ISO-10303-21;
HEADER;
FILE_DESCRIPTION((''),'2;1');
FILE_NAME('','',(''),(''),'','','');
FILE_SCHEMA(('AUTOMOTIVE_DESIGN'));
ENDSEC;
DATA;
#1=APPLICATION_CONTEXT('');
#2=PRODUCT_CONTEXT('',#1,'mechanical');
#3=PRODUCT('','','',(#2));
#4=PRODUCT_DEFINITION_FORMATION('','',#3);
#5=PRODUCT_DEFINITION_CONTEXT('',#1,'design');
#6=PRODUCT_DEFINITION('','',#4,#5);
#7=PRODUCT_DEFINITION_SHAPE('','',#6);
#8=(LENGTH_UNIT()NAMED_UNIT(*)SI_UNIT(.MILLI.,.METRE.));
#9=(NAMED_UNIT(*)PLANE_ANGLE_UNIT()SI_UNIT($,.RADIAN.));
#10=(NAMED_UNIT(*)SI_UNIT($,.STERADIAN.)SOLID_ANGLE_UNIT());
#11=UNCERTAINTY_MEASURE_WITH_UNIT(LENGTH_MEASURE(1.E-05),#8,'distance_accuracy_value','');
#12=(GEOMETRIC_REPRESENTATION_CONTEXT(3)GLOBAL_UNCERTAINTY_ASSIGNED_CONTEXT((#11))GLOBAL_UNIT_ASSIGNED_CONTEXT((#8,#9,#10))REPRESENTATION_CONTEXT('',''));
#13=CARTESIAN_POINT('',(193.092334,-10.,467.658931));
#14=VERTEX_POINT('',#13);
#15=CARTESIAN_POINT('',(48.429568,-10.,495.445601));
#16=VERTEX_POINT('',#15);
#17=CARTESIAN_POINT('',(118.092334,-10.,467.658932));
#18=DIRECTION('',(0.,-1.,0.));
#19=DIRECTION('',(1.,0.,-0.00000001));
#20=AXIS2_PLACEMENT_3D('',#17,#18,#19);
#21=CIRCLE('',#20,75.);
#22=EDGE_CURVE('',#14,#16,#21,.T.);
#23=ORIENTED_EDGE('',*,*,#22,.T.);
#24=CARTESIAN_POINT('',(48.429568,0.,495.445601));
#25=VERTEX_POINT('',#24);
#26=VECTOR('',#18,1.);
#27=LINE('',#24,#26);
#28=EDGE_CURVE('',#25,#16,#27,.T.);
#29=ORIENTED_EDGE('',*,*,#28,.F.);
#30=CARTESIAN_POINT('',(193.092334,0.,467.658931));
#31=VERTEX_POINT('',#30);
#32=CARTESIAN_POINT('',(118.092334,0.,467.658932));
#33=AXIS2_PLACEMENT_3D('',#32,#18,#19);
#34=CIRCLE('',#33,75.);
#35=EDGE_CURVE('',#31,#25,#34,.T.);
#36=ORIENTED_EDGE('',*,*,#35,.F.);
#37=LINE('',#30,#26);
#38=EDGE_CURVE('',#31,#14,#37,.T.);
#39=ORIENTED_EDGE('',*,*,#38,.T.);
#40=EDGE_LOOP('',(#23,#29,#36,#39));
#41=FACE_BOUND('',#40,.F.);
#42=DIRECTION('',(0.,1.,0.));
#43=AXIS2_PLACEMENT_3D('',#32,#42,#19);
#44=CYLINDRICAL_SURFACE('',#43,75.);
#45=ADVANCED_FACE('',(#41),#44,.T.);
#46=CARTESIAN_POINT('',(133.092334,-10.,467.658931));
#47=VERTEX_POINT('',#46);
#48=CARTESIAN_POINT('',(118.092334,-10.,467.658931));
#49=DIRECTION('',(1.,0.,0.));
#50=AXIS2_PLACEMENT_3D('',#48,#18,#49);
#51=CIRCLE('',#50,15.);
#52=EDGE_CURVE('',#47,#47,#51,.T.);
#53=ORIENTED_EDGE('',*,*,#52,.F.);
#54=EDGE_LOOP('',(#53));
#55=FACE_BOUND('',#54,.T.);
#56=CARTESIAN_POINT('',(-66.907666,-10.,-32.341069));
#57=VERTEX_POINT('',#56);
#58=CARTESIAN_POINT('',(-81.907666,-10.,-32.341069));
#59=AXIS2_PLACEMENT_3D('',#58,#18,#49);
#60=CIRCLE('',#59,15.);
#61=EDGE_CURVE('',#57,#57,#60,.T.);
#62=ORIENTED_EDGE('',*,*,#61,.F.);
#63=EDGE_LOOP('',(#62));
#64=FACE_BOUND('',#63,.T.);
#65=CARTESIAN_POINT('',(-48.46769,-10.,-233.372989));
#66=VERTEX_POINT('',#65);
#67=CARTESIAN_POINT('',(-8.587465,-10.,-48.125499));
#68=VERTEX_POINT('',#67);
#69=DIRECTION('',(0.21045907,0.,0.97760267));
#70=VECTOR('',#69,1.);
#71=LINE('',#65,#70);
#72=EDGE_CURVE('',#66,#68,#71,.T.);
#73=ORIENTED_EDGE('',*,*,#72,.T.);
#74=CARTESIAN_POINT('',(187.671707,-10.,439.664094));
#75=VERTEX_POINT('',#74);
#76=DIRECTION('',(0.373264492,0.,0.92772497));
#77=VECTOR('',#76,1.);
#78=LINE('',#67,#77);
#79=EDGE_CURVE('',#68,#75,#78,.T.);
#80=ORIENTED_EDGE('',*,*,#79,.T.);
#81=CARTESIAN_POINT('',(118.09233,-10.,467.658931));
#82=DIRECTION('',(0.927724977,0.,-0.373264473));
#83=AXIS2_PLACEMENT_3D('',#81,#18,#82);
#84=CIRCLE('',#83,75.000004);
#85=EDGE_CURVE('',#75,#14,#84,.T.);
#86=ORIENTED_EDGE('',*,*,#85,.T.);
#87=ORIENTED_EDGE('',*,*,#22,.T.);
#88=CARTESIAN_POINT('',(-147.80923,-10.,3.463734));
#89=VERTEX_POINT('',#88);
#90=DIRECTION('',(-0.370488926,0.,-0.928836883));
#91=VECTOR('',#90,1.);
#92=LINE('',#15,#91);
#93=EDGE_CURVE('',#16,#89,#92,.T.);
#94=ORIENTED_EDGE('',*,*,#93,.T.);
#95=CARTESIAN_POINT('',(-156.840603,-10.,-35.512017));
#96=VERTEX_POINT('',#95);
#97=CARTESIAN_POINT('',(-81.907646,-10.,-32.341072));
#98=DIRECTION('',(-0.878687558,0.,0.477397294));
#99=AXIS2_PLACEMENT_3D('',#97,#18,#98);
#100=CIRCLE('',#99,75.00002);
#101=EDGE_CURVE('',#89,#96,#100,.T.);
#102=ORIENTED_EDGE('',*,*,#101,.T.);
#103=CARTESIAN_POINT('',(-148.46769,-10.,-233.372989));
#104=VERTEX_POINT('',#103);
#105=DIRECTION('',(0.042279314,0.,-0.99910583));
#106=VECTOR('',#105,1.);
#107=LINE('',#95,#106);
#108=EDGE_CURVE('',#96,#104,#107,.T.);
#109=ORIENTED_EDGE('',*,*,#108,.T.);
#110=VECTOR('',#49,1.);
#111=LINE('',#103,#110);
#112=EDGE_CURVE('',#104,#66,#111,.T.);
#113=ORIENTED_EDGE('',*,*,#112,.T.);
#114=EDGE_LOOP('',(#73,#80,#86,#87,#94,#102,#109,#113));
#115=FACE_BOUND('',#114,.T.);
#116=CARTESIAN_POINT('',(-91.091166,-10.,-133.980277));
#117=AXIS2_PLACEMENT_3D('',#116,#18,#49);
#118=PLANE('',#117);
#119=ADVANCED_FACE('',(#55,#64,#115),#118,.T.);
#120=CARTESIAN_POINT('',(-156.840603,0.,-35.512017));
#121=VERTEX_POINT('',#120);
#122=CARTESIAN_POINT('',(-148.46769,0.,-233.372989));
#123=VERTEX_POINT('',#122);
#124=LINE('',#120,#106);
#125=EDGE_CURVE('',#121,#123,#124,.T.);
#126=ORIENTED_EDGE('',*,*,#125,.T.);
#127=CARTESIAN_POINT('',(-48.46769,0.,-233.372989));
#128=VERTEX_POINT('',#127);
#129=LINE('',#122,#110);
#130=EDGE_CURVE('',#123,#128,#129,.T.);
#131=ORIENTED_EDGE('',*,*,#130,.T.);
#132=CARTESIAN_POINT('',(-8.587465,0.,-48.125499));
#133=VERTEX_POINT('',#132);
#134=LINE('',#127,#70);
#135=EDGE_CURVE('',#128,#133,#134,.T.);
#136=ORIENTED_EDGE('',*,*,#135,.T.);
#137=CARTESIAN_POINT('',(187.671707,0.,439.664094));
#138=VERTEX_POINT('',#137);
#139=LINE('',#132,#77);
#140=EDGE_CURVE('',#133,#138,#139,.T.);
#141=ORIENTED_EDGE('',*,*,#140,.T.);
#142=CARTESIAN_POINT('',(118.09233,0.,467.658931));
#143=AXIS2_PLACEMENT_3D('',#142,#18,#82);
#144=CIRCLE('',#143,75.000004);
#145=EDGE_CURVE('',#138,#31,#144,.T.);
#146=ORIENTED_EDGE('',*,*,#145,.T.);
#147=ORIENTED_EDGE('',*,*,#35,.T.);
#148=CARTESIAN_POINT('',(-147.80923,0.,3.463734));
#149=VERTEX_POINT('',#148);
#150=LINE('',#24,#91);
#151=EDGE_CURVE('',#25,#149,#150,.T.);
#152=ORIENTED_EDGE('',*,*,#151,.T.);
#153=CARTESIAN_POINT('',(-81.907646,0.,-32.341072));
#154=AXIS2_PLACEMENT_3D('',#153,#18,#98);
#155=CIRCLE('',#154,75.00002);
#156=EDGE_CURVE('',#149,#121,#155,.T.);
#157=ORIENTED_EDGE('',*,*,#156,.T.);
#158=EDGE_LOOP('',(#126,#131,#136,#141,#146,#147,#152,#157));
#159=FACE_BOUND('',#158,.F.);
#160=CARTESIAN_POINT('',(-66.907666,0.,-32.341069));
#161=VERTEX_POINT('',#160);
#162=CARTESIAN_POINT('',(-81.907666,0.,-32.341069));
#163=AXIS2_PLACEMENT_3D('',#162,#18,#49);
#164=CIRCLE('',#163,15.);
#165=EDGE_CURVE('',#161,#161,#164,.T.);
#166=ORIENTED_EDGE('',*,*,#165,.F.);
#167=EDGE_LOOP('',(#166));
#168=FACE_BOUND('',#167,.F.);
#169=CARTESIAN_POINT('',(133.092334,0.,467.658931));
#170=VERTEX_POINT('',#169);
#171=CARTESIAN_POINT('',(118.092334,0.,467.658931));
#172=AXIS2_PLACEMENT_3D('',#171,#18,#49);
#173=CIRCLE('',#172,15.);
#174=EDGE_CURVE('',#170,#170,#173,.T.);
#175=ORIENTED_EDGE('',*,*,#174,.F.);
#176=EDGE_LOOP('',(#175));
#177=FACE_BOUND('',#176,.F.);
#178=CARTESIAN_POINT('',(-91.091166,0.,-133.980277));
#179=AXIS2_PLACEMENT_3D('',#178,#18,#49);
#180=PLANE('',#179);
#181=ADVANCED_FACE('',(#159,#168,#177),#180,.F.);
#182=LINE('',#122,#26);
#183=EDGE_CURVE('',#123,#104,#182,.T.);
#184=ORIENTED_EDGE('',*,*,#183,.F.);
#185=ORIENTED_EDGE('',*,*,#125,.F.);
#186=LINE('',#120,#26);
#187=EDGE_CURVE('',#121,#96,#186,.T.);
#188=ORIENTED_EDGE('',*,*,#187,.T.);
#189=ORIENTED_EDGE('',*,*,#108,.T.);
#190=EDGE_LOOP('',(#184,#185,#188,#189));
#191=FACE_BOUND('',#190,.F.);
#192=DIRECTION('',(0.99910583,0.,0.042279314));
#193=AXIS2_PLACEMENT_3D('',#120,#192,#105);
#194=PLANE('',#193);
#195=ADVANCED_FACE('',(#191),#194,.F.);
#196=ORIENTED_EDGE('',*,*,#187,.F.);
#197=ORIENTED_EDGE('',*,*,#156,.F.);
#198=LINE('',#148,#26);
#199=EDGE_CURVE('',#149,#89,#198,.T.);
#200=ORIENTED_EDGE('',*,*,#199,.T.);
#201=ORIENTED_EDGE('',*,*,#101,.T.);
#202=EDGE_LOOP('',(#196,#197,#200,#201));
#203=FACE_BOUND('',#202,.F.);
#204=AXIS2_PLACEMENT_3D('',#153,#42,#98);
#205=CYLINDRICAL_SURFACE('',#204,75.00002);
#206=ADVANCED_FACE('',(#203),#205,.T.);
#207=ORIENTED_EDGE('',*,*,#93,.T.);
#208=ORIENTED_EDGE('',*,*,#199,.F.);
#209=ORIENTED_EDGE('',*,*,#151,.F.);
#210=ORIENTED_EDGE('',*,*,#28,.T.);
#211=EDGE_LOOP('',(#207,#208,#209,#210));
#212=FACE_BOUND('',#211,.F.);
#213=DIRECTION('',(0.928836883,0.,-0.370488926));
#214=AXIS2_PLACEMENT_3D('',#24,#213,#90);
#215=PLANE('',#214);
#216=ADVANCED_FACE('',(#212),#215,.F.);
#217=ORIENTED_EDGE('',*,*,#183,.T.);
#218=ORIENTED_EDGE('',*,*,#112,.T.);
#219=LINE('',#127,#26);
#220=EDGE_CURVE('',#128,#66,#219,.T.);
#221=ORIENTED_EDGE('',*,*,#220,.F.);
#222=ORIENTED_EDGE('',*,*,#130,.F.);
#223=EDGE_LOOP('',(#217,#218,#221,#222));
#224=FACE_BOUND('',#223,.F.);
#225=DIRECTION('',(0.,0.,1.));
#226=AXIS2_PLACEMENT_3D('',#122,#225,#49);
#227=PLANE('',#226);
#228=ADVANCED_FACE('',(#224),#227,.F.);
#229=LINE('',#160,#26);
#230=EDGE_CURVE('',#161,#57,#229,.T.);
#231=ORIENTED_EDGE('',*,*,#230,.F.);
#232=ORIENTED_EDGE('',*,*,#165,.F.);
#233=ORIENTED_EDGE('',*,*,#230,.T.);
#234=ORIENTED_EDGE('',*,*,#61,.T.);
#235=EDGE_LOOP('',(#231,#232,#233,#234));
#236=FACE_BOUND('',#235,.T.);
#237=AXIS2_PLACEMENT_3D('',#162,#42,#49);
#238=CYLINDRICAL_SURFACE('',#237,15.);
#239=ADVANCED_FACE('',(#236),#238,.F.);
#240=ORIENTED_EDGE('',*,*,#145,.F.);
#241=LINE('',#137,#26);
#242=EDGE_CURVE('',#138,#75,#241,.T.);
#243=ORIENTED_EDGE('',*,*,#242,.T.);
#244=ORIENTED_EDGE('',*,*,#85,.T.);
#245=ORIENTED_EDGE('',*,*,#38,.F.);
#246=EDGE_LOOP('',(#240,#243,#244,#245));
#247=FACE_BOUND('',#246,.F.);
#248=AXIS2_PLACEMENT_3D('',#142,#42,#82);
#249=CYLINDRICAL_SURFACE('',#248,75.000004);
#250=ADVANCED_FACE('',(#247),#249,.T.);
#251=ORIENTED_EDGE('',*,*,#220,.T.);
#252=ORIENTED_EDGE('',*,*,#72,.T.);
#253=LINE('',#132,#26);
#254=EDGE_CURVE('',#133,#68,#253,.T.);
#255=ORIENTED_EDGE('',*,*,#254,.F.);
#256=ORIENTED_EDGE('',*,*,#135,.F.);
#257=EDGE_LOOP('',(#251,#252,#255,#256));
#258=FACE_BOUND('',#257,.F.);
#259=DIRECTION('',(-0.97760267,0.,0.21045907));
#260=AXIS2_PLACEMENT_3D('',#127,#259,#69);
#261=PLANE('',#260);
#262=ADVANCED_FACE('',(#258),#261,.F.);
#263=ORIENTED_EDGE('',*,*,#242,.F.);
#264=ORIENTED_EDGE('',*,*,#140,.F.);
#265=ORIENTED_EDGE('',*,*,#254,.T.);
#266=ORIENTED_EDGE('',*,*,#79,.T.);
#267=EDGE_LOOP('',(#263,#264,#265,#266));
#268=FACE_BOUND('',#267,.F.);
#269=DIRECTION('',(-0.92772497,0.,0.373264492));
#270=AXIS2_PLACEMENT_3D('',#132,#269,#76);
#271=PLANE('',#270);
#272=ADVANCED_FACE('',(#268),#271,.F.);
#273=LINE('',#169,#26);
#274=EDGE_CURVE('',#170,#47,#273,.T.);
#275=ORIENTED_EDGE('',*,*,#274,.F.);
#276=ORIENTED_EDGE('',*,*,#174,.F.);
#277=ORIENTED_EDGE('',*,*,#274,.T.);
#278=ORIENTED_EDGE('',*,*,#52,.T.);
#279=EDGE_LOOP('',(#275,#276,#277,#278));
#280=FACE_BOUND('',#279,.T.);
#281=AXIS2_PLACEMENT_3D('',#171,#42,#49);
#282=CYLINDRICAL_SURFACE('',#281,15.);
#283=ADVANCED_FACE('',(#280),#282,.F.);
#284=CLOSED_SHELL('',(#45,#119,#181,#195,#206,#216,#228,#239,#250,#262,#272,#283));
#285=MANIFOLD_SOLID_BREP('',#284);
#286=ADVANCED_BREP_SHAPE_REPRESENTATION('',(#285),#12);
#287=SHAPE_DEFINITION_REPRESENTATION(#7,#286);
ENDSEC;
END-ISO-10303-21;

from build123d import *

# Parameters (mm, degrees)
F0_R     = 15
F1_DEPTH = 10


with BuildPart() as f1:
    # F0 (on Front) → F1 (new body)
    with BuildSketch(Plane.XZ):
        with BuildLine():
            Line((-156.840603, -35.512017), (-148.46769, -233.372989))
            Line((-148.46769, -233.372989), (-48.46769, -233.372989))
            Line((-48.46769, -233.372989), (-8.587465, -48.125499))
            ThreePointArc((-8.587465, -48.125499), (-88.265748, -107.071081), (-156.840603, -35.512017))
        make_face()
        with BuildLine():
            ThreePointArc((-147.80923, 3.463734), (-154.971791, -15.410814), (-156.840603, -35.512017))
            ThreePointArc((-156.840603, -35.512017), (-88.265748, -107.071081), (-8.587465, -48.125499))
            ThreePointArc((-8.587465, -48.125499), (-7.328798, -40.277849), (-6.907666, -32.341069))
            ThreePointArc((-6.907666, -32.341069), (-63.4363, 40.348743), (-147.80923, 3.463734))
        make_face()
        with Locations((-81.907666, -32.341069)):
            Circle(F0_R, mode=Mode.SUBTRACT)
        with BuildLine():
            ThreePointArc((-6.907666, -32.341069), (-7.328798, -40.277849), (-8.587465, -48.125499))
            Line((-8.587465, -48.125499), (187.671707, 439.664094))
            ThreePointArc((187.671707, 439.664094), (90.20155, 398.037784), (48.429568, 495.445601))
            Line((48.429568, 495.445601), (-147.80923, 3.463734))
            ThreePointArc((-147.80923, 3.463734), (-63.4363, 40.348743), (-6.907666, -32.341069))
        make_face()
        with BuildLine():
            ThreePointArc((48.429568, 495.445601), (90.20155, 398.037784), (187.671707, 439.664094))
            ThreePointArc((187.671707, 439.664094), (191.724708, 453.401529), (193.092334, 467.658931))
            ThreePointArc((193.092334, 467.658931), (132.23964, 541.312538), (48.429568, 495.445601))
        make_face()
        with Locations((118.092334, 467.658931)):
            Circle(F0_R, mode=Mode.SUBTRACT)
    extrude(amount=F1_DEPTH)


solid = f1.part
